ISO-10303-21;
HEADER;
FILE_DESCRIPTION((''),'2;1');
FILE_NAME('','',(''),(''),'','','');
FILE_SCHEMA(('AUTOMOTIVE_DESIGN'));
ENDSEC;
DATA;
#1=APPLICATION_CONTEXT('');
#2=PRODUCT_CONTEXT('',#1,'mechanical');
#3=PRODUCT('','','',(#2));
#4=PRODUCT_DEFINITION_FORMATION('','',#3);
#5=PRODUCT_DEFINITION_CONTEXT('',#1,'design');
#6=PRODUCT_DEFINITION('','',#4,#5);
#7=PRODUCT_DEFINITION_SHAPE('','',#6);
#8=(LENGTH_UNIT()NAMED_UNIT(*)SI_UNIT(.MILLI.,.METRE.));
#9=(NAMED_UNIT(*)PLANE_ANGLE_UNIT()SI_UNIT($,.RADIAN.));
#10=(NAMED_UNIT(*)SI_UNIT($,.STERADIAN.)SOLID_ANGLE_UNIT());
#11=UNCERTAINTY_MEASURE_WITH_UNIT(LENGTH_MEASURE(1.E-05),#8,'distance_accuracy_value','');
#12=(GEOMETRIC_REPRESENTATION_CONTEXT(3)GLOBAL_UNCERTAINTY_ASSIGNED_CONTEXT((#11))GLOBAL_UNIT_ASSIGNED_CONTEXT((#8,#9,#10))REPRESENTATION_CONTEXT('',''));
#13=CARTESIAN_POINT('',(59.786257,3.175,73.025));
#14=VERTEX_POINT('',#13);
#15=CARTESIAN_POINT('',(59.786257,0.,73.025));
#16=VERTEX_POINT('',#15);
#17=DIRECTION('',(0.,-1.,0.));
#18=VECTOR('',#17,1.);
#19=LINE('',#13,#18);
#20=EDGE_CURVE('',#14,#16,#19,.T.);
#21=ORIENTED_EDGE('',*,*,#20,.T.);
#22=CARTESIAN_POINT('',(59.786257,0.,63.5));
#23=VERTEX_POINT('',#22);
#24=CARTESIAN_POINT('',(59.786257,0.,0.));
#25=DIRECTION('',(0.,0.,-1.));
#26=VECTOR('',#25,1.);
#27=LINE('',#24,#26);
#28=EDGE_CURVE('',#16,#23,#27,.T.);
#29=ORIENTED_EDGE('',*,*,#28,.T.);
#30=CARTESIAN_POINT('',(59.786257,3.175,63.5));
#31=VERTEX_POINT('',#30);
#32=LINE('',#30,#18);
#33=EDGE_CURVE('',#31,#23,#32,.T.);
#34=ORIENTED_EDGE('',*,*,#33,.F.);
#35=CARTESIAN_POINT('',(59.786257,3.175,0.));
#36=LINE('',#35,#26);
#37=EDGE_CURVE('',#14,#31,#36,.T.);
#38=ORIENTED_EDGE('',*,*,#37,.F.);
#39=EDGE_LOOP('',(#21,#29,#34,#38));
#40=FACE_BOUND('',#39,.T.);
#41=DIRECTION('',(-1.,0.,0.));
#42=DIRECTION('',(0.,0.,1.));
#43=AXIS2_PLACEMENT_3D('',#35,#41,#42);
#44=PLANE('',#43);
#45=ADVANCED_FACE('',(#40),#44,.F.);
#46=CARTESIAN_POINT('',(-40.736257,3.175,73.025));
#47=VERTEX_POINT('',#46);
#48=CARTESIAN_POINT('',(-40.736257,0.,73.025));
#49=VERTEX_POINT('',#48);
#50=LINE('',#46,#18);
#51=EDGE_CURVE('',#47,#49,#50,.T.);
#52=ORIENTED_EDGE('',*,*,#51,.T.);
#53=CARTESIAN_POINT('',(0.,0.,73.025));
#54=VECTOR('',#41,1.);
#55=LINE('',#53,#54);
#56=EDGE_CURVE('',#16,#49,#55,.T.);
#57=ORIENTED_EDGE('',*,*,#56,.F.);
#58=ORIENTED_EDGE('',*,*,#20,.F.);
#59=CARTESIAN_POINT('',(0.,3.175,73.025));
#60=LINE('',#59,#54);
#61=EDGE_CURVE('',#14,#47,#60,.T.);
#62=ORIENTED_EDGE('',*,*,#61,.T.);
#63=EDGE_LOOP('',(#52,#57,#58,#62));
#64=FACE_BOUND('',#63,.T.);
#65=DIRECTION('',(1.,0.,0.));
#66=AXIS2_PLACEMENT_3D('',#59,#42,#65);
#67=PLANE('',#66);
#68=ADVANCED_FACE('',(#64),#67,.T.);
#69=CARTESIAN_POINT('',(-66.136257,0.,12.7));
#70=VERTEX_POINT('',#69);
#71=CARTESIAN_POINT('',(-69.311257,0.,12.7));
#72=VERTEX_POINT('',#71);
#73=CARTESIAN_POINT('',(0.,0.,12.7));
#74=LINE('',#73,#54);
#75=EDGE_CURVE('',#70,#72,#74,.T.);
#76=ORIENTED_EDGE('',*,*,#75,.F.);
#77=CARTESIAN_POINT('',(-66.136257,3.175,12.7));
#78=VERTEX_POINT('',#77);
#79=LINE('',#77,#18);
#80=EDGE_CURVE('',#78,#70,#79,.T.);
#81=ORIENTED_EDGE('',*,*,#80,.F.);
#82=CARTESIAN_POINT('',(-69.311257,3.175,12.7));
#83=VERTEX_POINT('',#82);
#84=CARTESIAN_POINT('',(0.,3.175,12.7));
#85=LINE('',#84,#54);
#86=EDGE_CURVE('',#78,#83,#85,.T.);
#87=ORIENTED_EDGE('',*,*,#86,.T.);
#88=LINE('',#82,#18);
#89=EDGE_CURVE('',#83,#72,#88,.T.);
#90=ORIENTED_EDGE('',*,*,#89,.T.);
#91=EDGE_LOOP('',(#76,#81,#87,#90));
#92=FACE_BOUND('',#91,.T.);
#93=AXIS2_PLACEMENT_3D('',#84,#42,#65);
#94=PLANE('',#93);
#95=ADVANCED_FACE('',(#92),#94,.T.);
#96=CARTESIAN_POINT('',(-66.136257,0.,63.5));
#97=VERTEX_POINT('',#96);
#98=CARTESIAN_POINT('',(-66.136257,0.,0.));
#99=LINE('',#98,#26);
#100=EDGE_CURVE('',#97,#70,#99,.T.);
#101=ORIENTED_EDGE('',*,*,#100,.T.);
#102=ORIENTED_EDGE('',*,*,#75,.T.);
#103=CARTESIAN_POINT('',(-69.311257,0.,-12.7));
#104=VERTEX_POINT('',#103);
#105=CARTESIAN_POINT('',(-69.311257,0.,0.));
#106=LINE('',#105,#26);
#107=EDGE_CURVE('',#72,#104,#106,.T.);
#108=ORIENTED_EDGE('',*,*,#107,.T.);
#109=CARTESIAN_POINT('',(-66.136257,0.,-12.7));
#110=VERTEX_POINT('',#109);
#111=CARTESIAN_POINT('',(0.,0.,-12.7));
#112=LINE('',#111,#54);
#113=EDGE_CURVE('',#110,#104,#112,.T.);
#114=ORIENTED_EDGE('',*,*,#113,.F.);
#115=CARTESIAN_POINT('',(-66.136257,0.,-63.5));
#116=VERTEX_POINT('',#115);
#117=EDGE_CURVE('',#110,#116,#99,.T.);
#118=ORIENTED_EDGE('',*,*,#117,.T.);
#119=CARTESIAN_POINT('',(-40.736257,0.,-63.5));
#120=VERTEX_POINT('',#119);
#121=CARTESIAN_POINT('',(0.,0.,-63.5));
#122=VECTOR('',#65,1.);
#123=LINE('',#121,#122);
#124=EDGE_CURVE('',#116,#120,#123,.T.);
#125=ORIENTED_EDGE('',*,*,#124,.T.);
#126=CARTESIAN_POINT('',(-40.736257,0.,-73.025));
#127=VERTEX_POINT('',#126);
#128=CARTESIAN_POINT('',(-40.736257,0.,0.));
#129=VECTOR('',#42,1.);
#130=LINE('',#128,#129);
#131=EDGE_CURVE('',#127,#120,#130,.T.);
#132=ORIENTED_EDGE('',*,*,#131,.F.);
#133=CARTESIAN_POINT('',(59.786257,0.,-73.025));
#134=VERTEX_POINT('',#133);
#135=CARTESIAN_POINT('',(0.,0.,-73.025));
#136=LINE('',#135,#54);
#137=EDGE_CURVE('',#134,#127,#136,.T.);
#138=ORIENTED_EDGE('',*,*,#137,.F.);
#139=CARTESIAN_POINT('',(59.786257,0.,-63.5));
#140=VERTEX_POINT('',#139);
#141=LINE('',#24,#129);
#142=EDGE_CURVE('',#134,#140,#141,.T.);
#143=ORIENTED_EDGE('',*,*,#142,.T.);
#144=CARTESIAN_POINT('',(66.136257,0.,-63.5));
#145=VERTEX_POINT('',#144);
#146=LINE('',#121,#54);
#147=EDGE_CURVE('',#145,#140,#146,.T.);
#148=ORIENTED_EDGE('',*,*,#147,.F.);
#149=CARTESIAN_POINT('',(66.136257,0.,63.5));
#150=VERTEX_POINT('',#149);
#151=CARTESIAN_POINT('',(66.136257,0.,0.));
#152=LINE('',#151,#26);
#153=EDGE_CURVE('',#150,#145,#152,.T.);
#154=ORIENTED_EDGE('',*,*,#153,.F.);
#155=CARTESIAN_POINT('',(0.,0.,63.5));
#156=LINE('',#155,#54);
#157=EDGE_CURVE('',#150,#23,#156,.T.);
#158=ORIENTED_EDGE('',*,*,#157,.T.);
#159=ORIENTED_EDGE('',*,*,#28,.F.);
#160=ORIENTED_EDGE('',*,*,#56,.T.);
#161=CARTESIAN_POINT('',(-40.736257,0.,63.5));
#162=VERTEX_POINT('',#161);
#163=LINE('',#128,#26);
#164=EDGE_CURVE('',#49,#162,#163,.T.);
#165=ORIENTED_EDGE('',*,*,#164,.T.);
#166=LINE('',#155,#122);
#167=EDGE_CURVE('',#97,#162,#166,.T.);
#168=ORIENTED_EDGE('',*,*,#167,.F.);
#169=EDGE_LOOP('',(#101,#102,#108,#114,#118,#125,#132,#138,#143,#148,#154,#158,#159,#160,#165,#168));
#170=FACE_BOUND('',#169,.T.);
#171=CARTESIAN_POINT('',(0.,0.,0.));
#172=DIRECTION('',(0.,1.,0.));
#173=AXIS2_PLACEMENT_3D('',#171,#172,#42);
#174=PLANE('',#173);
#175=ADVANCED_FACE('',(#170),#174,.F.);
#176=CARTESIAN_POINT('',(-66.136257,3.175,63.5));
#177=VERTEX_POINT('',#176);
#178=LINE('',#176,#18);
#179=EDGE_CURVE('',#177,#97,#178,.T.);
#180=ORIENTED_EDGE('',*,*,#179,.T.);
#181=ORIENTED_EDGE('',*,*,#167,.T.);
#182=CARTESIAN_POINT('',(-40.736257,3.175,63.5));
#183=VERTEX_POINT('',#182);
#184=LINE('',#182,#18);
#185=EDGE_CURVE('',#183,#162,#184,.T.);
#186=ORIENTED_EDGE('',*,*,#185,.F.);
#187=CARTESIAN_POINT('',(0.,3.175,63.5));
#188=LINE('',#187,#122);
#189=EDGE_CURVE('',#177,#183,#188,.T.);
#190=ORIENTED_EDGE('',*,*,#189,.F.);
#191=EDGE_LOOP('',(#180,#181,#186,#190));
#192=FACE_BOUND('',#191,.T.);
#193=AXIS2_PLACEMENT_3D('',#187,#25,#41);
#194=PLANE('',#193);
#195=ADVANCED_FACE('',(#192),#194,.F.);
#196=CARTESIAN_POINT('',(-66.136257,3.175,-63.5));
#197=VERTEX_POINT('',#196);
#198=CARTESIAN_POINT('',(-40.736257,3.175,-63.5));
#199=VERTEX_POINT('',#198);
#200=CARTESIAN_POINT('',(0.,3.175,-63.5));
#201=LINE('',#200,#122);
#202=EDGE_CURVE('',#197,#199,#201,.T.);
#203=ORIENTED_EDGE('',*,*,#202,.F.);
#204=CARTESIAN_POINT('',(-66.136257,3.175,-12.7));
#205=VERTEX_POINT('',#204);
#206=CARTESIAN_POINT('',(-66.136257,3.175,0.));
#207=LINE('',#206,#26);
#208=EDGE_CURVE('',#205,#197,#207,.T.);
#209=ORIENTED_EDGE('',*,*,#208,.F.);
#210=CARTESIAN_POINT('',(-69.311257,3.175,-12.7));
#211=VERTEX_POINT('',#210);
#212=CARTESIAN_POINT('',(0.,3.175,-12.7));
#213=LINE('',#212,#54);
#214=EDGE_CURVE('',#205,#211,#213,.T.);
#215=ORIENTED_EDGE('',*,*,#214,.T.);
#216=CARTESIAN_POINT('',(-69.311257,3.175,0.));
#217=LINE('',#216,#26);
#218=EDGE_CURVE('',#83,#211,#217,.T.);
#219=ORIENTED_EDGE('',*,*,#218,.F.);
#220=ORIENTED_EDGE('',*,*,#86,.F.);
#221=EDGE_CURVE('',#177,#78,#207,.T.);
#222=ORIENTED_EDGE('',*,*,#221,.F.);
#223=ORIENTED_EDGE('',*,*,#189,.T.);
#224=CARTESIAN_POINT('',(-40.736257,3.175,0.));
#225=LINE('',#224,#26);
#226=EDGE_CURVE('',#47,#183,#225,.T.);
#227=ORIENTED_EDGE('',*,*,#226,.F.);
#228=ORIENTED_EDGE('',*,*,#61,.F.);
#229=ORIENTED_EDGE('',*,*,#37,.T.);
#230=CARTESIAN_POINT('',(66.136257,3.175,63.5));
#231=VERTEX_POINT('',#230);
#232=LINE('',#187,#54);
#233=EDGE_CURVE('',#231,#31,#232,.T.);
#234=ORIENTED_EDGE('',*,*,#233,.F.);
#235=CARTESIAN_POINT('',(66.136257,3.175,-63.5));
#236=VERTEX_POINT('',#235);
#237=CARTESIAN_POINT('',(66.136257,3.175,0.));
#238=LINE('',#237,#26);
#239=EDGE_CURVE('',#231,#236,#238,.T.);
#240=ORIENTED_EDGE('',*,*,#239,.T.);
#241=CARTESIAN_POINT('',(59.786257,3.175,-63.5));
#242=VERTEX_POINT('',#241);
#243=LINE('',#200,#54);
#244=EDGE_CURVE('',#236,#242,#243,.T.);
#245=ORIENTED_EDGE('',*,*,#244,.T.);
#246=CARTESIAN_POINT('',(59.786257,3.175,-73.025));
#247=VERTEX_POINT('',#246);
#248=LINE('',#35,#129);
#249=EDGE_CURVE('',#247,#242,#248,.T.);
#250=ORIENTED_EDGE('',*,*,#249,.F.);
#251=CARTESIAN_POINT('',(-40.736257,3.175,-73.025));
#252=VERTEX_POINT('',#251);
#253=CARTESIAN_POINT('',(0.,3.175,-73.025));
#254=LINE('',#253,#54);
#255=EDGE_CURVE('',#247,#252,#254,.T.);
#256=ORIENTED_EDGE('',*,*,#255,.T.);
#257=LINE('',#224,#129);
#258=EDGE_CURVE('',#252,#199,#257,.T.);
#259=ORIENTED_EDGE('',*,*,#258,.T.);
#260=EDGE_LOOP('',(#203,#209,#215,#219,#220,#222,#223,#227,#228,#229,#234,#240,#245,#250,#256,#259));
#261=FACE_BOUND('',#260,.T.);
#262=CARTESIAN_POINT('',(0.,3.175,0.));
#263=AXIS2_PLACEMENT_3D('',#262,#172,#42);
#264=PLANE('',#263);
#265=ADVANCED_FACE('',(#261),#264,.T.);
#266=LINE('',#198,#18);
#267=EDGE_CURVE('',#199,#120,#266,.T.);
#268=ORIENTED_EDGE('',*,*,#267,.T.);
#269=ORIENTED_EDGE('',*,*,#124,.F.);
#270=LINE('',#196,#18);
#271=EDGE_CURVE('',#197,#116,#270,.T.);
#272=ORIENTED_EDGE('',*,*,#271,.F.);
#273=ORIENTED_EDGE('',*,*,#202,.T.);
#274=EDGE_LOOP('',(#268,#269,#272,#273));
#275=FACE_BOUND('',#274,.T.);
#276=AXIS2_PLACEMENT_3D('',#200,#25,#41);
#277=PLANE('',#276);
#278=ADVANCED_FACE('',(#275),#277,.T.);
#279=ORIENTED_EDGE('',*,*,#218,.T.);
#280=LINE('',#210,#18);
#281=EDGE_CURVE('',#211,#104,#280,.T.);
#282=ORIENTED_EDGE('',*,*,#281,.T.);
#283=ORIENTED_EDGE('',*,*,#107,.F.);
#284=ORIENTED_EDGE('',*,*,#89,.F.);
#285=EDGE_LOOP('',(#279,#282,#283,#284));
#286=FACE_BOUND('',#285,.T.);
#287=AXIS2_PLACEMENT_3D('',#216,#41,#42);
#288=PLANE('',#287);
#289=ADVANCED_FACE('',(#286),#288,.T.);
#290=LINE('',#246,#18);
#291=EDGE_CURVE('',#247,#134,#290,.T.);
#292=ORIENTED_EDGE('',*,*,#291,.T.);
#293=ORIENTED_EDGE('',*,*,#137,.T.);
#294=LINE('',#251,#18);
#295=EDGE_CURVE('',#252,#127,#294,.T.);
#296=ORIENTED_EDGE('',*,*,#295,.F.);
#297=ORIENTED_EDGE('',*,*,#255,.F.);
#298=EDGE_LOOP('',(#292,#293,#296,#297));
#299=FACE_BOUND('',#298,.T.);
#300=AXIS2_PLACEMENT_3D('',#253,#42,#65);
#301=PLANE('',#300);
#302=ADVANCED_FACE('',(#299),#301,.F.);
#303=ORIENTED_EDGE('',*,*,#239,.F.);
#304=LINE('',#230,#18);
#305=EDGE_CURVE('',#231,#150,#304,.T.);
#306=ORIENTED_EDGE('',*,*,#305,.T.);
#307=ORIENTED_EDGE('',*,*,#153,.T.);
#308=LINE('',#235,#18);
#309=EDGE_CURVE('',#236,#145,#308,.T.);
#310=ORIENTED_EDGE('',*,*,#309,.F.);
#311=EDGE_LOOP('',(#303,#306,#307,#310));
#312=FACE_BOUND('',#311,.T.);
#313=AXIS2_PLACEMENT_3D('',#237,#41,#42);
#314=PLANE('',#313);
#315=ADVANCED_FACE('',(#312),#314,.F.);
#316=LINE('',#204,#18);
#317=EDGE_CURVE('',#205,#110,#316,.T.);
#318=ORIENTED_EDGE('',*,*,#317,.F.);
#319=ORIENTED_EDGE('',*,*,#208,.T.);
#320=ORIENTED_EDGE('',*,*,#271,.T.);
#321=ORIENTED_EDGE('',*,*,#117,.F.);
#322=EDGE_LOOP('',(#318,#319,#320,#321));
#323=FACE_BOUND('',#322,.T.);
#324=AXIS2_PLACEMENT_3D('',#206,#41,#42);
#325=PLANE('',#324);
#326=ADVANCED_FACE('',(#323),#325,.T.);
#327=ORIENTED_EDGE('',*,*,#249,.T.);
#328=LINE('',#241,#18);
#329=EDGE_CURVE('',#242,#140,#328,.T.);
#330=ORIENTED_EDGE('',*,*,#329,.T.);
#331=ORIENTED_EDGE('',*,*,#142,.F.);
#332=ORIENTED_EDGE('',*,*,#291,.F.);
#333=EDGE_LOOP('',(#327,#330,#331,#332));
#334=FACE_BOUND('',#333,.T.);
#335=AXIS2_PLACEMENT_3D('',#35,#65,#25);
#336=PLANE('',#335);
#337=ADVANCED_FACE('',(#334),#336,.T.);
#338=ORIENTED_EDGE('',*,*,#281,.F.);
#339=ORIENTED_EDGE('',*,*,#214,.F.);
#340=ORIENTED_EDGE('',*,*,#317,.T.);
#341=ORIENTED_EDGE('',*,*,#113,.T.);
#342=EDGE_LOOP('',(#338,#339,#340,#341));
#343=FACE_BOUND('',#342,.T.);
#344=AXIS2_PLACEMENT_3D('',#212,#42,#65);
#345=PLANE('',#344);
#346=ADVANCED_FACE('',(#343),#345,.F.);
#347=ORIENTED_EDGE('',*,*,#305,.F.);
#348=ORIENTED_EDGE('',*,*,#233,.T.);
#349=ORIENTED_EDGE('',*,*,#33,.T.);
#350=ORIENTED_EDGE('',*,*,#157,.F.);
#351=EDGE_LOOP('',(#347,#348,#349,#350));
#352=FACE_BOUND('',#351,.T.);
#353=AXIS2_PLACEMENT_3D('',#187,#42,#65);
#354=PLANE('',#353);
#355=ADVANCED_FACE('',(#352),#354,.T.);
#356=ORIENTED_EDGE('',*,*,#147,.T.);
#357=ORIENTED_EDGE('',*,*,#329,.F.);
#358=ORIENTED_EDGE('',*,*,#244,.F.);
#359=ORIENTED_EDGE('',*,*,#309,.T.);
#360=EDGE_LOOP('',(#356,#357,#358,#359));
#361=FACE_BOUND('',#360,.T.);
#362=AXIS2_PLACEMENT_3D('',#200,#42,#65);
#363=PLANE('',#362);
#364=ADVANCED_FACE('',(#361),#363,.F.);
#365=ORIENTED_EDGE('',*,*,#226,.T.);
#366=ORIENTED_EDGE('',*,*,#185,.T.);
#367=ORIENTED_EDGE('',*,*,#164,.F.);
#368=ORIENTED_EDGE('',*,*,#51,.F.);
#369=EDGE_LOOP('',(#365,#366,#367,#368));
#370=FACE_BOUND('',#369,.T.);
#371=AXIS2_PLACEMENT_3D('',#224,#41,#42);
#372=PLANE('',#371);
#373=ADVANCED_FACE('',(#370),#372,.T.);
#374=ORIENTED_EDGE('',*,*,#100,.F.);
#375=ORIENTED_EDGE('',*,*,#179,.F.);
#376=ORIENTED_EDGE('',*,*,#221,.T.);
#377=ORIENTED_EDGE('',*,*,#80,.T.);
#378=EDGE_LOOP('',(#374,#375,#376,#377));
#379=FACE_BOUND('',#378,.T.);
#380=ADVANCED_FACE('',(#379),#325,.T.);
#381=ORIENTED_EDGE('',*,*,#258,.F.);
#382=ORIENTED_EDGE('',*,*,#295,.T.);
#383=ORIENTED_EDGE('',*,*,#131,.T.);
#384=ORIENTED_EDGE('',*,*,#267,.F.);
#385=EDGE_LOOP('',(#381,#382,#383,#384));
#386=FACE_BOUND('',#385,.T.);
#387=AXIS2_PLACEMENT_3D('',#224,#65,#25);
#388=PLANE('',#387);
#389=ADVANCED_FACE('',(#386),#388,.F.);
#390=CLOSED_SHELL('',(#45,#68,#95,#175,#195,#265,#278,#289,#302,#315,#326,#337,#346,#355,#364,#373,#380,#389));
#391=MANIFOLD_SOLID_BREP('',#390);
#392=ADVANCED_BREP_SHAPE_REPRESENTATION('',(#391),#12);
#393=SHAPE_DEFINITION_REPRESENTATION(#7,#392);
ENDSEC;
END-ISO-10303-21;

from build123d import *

# Parameters (mm, degrees)
BOSS_EXTRUDE1_DEPTH = 3.175


with BuildPart() as part:
    # Sketch1 → Boss-Extrude1 (new body)
    with BuildSketch(Plane(origin=(0, 0, 0), x_dir=(1, 0, 0), z_dir=(0, 1, 0))):
        Polygon((-40.736256602, -73.025), (59.786256602, -73.025), (59.786256602, -63.5), (66.136256602, -63.5), (66.136256602, 63.5), (59.786256602, 63.5), (59.786256602, 73.025), (-40.736256602, 73.025), (-40.736256602, 63.5), (-66.136256602, 63.5), (-66.136256602, 12.7), (-69.311256602, 12.7), (-69.311256602, -12.7), (-66.136256602, -12.7), (-66.136256602, -63.5), (-40.736256602, -63.5), align=None)
    extrude(amount=BOSS_EXTRUDE1_DEPTH)


solid = part.part
